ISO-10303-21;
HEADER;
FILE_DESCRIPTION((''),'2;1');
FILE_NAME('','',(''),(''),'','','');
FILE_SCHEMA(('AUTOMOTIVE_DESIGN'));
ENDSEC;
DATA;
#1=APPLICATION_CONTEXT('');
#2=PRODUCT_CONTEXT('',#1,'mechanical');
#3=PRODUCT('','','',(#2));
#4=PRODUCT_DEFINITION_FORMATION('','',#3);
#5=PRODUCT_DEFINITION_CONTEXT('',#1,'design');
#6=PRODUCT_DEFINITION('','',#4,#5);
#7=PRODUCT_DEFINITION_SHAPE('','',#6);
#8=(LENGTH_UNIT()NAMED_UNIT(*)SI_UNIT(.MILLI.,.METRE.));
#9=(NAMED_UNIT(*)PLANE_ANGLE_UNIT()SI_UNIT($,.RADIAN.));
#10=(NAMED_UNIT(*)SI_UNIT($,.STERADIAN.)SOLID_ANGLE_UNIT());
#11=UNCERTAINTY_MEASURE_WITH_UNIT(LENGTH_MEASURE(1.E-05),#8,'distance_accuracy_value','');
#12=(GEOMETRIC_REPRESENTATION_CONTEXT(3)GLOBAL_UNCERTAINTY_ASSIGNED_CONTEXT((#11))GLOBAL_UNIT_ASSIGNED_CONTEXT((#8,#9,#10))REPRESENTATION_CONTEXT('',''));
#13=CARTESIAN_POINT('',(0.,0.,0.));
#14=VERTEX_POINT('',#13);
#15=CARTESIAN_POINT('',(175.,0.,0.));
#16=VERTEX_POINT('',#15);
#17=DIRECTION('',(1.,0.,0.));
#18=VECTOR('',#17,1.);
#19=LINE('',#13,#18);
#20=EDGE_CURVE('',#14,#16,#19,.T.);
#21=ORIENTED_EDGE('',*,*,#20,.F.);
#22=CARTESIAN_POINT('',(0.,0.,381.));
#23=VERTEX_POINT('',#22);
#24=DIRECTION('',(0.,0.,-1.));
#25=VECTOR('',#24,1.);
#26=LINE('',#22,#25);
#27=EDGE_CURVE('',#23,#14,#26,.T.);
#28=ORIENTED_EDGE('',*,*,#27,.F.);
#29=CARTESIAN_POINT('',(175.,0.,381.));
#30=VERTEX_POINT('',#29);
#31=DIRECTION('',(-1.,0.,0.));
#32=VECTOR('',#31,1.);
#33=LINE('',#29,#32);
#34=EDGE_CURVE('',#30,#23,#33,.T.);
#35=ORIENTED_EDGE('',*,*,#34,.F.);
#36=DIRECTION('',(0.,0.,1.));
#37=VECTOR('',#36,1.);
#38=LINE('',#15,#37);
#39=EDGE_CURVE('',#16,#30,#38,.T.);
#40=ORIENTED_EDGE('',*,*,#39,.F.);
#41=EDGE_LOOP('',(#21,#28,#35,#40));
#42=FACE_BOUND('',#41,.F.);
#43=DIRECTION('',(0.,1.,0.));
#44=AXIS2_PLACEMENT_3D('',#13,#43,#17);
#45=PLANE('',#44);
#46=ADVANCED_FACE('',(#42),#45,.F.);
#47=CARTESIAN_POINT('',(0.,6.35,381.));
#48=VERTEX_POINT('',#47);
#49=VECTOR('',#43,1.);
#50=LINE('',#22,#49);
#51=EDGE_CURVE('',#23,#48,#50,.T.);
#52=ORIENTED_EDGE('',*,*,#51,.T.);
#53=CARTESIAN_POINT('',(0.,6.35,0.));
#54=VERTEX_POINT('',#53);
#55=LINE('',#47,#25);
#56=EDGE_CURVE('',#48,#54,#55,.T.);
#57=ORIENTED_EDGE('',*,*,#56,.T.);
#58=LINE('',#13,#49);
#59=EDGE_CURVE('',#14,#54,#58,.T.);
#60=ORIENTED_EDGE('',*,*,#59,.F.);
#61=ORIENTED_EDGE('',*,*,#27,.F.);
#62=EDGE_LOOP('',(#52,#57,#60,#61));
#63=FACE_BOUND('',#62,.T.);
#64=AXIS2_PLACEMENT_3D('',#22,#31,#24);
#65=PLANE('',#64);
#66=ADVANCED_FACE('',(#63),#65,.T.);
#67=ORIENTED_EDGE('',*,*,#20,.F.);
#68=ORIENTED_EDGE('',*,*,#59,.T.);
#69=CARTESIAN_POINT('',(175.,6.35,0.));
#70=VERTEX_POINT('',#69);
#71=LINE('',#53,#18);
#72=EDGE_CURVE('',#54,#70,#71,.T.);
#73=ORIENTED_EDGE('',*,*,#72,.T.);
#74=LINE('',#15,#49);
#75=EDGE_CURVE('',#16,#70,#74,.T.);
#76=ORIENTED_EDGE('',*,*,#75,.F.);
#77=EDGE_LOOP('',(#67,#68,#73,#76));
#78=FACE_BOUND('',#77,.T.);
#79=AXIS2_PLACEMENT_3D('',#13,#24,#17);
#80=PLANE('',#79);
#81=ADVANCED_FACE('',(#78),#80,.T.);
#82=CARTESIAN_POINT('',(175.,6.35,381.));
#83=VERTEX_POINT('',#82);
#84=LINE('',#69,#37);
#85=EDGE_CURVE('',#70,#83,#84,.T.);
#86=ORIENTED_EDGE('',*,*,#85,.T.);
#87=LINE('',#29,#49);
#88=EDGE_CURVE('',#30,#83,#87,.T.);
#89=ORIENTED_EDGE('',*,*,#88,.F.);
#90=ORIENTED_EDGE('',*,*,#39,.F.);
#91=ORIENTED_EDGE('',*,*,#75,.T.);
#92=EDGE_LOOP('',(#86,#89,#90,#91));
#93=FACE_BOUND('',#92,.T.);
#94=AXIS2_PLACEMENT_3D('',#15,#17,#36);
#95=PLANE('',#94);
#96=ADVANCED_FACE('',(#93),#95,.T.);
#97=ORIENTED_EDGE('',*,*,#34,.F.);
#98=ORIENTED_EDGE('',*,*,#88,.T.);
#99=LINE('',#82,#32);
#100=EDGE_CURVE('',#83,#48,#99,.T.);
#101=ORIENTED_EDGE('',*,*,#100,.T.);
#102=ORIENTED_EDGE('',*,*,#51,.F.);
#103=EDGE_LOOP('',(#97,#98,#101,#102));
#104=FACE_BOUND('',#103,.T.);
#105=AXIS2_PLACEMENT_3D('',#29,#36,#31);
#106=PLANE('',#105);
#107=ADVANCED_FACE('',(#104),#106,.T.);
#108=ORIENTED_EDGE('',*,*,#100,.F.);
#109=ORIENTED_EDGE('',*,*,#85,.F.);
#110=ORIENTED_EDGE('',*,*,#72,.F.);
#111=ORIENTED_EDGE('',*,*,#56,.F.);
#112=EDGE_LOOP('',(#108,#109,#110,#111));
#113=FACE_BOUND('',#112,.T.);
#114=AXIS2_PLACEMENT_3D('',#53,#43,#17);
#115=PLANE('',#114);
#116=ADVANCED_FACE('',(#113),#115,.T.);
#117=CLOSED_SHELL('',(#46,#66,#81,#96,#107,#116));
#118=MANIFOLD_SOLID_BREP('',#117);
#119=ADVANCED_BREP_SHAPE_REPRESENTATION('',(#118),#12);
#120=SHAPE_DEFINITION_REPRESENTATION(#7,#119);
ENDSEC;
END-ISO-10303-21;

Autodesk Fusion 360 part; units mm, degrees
sketch "Sketch1" plane through (0, 0, 0) normal (0, 1, 0) x (1, 0, 0)
  line L0 (0, 0) -> (175, 0)
  line L1 (175, 0) -> (175, -381)
  line L2 (175, -381) -> (0, -381)
  line L3 (0, -381) -> (0, 0)
  dimension "d1" = 175
  dimension "d2" = 381
extrude "Extrude1" add sketch "Sketch1" along normal blind 6.35
